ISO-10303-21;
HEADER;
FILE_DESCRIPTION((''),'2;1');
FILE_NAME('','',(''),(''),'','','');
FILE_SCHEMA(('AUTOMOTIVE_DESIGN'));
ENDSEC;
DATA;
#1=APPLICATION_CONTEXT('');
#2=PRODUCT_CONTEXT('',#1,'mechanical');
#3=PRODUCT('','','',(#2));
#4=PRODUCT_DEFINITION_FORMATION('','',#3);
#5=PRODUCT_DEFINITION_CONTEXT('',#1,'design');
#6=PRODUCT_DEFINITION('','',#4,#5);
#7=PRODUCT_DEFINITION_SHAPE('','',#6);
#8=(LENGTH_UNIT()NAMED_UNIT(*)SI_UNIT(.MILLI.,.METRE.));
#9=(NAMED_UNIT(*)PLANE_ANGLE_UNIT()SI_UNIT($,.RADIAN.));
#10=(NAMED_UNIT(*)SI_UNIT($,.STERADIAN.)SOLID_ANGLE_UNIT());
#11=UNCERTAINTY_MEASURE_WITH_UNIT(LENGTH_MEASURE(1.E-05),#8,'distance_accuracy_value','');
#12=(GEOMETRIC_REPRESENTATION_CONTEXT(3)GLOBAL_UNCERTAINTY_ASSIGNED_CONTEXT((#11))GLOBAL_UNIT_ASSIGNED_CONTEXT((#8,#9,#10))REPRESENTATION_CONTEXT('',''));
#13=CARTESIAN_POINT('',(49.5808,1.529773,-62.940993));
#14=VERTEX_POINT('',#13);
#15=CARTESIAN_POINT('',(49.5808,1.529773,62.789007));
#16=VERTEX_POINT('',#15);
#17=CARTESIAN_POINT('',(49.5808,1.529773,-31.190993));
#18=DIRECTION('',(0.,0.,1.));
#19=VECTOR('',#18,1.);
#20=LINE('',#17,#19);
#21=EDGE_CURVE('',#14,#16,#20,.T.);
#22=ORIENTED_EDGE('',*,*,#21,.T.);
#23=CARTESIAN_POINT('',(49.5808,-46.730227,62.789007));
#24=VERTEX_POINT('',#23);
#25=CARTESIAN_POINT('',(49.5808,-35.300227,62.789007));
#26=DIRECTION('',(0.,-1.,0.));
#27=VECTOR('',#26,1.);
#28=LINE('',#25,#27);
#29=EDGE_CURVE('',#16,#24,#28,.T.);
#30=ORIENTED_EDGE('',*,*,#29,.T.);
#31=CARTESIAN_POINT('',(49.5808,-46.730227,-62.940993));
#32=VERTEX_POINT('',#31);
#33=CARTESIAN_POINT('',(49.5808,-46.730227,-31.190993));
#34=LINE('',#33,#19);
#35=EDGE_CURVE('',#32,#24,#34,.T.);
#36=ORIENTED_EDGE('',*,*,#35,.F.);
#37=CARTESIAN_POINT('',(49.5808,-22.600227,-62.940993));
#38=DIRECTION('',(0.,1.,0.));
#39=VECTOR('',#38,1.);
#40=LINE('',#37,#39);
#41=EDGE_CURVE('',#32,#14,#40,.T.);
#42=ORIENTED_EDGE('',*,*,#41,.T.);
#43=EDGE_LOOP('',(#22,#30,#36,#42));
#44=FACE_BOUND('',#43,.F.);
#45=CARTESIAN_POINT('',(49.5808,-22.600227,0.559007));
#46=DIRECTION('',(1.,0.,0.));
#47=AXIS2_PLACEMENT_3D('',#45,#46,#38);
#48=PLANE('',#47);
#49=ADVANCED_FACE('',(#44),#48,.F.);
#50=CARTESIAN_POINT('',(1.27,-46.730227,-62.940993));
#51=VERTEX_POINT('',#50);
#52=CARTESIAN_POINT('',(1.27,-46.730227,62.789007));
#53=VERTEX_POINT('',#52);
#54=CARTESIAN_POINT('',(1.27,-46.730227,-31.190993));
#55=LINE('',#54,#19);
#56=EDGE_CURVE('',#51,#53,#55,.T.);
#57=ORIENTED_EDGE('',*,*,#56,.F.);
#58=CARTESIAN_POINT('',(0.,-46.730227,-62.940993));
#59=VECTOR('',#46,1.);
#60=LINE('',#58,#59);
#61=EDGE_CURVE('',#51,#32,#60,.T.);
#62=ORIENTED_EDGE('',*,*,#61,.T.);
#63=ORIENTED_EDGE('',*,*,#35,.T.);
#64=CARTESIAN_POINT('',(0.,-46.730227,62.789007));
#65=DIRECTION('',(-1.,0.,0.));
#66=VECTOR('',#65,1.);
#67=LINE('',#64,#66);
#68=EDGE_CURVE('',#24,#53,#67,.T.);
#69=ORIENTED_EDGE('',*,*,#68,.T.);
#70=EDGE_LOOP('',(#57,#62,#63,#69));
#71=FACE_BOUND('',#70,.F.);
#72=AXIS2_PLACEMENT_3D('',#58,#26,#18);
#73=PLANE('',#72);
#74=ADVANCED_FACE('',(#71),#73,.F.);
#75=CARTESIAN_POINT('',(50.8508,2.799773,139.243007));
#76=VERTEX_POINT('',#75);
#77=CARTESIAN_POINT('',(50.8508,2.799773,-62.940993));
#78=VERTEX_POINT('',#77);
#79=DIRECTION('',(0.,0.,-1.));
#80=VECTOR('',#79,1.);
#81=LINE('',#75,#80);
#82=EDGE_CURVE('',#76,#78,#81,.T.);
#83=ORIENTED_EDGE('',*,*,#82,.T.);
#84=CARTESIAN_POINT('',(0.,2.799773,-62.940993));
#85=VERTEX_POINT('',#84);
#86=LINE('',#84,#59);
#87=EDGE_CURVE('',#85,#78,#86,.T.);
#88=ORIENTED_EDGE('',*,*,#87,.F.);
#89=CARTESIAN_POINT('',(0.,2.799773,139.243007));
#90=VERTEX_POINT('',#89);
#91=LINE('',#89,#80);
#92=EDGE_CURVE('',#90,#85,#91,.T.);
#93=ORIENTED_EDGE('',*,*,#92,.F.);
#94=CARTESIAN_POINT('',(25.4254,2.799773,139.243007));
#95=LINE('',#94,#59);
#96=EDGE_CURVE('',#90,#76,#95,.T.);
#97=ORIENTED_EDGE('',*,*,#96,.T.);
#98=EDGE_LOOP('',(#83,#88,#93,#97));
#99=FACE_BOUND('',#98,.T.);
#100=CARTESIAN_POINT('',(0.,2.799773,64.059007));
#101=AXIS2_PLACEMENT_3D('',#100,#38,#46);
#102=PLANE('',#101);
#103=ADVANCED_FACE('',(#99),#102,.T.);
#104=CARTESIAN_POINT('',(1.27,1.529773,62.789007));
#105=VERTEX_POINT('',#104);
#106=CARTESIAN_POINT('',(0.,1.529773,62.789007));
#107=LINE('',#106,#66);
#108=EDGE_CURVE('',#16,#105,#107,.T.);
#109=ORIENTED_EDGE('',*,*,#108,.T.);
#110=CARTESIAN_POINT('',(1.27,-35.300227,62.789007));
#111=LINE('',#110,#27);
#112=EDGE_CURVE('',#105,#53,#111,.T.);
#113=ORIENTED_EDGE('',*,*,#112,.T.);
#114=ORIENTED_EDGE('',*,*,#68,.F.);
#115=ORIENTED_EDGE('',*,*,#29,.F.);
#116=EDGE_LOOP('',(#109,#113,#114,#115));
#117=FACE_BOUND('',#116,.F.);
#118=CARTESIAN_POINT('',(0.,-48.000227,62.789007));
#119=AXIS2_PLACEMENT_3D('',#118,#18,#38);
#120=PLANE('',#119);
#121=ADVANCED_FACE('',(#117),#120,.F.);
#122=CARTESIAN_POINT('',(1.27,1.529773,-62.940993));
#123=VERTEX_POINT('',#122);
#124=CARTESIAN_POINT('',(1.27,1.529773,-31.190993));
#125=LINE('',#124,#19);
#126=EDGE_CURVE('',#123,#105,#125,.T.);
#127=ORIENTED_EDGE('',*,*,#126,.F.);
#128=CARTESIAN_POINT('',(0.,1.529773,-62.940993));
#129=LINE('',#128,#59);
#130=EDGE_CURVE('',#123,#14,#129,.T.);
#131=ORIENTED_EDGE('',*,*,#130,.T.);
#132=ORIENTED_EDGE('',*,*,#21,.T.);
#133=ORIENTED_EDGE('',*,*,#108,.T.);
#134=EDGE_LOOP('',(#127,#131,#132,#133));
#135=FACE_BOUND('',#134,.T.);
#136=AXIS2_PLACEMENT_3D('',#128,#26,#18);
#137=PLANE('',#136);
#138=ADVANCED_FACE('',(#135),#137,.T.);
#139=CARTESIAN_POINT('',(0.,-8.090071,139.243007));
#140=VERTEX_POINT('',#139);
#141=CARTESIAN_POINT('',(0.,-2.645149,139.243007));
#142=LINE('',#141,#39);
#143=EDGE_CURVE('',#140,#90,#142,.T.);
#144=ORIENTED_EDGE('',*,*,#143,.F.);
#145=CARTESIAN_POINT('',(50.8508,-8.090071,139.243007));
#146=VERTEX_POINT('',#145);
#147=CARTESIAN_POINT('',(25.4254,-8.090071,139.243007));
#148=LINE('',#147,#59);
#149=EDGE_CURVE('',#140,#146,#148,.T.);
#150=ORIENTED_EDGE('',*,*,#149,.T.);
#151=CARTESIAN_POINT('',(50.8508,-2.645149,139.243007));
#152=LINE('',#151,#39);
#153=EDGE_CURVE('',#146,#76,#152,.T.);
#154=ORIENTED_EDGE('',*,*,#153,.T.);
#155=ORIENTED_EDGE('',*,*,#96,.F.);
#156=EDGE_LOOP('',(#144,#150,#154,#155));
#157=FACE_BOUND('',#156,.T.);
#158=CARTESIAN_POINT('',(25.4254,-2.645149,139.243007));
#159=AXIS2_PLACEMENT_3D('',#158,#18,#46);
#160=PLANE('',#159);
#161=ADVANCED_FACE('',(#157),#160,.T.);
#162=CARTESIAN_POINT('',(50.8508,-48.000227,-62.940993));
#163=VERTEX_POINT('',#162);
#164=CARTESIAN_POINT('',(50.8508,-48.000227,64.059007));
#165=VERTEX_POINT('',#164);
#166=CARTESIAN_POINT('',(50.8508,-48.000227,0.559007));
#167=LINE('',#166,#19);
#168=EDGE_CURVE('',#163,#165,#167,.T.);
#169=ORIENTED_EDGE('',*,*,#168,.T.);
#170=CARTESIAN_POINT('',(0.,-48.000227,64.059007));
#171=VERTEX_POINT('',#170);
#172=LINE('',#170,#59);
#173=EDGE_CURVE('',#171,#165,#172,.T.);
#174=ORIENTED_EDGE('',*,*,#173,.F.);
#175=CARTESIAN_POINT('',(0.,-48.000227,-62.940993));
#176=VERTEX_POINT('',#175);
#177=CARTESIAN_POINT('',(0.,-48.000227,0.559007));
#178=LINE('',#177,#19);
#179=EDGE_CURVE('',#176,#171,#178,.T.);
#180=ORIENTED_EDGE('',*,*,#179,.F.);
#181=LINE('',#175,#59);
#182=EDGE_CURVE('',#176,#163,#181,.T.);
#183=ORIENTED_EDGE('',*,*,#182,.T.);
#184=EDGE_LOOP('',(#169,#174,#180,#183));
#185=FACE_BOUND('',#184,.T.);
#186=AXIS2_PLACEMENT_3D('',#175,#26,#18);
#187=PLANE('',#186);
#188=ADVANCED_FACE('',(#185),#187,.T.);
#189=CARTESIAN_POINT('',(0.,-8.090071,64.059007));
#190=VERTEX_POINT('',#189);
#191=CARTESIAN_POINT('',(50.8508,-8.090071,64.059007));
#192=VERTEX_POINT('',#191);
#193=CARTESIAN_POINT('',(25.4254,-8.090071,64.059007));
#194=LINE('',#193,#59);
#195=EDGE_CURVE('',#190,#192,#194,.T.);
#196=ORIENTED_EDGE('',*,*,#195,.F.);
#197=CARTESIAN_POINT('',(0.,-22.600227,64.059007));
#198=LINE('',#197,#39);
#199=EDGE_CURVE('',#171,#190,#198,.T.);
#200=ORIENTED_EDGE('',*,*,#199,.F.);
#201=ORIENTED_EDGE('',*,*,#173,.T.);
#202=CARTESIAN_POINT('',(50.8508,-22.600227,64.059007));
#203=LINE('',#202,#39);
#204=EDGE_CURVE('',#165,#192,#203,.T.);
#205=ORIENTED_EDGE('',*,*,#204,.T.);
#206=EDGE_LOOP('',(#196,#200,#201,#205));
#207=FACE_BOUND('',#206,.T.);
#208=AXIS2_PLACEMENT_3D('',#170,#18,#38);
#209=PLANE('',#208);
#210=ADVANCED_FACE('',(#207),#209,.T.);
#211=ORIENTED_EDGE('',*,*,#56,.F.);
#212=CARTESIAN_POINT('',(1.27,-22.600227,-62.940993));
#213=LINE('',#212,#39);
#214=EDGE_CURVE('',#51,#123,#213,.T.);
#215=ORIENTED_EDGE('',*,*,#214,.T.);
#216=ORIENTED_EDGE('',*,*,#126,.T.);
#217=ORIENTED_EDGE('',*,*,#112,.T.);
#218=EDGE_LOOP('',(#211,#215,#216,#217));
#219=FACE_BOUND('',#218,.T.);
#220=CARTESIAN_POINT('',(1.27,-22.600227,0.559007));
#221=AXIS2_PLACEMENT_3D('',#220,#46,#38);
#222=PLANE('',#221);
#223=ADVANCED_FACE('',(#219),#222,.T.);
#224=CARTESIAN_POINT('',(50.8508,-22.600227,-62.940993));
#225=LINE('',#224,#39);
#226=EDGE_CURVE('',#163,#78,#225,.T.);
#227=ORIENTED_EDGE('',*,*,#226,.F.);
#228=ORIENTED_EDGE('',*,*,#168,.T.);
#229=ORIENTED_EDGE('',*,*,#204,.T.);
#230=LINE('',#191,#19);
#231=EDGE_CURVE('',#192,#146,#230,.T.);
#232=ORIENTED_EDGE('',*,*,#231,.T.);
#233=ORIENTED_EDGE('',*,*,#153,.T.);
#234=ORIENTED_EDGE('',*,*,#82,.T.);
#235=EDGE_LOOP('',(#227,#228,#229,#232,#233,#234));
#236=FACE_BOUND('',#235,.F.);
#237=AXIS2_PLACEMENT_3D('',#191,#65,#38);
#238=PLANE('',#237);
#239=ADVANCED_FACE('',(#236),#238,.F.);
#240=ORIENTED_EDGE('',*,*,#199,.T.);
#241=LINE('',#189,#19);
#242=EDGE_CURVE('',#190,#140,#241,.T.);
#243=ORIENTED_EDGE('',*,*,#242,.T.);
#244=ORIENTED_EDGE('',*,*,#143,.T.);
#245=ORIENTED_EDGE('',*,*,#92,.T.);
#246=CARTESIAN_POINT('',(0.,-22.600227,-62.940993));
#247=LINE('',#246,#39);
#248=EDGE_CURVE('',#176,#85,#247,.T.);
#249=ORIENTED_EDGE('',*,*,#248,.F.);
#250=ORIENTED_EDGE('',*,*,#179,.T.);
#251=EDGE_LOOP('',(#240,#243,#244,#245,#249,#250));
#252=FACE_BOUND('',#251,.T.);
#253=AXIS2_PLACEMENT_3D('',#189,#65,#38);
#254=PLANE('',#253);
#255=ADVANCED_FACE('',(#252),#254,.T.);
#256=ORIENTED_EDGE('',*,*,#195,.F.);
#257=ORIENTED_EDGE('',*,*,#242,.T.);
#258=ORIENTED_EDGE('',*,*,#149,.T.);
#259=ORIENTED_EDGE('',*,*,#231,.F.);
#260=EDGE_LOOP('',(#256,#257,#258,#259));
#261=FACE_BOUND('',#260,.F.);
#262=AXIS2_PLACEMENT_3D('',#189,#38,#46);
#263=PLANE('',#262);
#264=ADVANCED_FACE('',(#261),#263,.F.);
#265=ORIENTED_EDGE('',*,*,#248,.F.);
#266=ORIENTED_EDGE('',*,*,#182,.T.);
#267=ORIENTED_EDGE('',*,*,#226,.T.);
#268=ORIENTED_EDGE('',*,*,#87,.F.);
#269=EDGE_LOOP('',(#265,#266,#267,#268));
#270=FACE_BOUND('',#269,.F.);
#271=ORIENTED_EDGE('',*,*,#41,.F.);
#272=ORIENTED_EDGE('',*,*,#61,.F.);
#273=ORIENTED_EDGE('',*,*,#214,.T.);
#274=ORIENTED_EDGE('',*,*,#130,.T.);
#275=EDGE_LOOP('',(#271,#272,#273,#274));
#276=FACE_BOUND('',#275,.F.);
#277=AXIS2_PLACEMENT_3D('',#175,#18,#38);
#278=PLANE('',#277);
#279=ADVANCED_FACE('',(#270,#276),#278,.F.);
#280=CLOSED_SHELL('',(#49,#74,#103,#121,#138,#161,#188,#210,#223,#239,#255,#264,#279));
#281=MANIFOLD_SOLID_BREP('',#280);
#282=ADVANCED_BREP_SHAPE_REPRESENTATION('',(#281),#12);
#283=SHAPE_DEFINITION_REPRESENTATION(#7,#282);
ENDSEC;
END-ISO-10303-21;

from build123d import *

# Parameters (mm, degrees)
F0_W     = 50.8
F0_H     = 127
F1_DEPTH = 50.8508
F2_T     = -1.27
F3_W     = 50.8508
F3_H     = 10.889844
F4_DEPTH = 75.184


with BuildPart() as f1:
    # F0 (on Right) → F1 (new body)
    with BuildSketch(Plane.YZ):
        with Locations((-22.600227, 0.559007)):
            Rectangle(F0_W, F0_H)
    extrude(amount=F1_DEPTH)

    # F2
    f2_openings = [f1.faces().sort_by_distance(p)[0] for p in [
        (25.4254, -22.600227, -62.940993),
    ]]
    offset(amount=F2_T, openings=f2_openings)

    # F3 (on face) → F4 (join)
    with BuildSketch(Plane.XY.offset(64.059007)):
        with Locations((25.4254, -2.645149)):
            Rectangle(F3_W, F3_H)
    extrude(amount=F4_DEPTH)


solid = f1.part
